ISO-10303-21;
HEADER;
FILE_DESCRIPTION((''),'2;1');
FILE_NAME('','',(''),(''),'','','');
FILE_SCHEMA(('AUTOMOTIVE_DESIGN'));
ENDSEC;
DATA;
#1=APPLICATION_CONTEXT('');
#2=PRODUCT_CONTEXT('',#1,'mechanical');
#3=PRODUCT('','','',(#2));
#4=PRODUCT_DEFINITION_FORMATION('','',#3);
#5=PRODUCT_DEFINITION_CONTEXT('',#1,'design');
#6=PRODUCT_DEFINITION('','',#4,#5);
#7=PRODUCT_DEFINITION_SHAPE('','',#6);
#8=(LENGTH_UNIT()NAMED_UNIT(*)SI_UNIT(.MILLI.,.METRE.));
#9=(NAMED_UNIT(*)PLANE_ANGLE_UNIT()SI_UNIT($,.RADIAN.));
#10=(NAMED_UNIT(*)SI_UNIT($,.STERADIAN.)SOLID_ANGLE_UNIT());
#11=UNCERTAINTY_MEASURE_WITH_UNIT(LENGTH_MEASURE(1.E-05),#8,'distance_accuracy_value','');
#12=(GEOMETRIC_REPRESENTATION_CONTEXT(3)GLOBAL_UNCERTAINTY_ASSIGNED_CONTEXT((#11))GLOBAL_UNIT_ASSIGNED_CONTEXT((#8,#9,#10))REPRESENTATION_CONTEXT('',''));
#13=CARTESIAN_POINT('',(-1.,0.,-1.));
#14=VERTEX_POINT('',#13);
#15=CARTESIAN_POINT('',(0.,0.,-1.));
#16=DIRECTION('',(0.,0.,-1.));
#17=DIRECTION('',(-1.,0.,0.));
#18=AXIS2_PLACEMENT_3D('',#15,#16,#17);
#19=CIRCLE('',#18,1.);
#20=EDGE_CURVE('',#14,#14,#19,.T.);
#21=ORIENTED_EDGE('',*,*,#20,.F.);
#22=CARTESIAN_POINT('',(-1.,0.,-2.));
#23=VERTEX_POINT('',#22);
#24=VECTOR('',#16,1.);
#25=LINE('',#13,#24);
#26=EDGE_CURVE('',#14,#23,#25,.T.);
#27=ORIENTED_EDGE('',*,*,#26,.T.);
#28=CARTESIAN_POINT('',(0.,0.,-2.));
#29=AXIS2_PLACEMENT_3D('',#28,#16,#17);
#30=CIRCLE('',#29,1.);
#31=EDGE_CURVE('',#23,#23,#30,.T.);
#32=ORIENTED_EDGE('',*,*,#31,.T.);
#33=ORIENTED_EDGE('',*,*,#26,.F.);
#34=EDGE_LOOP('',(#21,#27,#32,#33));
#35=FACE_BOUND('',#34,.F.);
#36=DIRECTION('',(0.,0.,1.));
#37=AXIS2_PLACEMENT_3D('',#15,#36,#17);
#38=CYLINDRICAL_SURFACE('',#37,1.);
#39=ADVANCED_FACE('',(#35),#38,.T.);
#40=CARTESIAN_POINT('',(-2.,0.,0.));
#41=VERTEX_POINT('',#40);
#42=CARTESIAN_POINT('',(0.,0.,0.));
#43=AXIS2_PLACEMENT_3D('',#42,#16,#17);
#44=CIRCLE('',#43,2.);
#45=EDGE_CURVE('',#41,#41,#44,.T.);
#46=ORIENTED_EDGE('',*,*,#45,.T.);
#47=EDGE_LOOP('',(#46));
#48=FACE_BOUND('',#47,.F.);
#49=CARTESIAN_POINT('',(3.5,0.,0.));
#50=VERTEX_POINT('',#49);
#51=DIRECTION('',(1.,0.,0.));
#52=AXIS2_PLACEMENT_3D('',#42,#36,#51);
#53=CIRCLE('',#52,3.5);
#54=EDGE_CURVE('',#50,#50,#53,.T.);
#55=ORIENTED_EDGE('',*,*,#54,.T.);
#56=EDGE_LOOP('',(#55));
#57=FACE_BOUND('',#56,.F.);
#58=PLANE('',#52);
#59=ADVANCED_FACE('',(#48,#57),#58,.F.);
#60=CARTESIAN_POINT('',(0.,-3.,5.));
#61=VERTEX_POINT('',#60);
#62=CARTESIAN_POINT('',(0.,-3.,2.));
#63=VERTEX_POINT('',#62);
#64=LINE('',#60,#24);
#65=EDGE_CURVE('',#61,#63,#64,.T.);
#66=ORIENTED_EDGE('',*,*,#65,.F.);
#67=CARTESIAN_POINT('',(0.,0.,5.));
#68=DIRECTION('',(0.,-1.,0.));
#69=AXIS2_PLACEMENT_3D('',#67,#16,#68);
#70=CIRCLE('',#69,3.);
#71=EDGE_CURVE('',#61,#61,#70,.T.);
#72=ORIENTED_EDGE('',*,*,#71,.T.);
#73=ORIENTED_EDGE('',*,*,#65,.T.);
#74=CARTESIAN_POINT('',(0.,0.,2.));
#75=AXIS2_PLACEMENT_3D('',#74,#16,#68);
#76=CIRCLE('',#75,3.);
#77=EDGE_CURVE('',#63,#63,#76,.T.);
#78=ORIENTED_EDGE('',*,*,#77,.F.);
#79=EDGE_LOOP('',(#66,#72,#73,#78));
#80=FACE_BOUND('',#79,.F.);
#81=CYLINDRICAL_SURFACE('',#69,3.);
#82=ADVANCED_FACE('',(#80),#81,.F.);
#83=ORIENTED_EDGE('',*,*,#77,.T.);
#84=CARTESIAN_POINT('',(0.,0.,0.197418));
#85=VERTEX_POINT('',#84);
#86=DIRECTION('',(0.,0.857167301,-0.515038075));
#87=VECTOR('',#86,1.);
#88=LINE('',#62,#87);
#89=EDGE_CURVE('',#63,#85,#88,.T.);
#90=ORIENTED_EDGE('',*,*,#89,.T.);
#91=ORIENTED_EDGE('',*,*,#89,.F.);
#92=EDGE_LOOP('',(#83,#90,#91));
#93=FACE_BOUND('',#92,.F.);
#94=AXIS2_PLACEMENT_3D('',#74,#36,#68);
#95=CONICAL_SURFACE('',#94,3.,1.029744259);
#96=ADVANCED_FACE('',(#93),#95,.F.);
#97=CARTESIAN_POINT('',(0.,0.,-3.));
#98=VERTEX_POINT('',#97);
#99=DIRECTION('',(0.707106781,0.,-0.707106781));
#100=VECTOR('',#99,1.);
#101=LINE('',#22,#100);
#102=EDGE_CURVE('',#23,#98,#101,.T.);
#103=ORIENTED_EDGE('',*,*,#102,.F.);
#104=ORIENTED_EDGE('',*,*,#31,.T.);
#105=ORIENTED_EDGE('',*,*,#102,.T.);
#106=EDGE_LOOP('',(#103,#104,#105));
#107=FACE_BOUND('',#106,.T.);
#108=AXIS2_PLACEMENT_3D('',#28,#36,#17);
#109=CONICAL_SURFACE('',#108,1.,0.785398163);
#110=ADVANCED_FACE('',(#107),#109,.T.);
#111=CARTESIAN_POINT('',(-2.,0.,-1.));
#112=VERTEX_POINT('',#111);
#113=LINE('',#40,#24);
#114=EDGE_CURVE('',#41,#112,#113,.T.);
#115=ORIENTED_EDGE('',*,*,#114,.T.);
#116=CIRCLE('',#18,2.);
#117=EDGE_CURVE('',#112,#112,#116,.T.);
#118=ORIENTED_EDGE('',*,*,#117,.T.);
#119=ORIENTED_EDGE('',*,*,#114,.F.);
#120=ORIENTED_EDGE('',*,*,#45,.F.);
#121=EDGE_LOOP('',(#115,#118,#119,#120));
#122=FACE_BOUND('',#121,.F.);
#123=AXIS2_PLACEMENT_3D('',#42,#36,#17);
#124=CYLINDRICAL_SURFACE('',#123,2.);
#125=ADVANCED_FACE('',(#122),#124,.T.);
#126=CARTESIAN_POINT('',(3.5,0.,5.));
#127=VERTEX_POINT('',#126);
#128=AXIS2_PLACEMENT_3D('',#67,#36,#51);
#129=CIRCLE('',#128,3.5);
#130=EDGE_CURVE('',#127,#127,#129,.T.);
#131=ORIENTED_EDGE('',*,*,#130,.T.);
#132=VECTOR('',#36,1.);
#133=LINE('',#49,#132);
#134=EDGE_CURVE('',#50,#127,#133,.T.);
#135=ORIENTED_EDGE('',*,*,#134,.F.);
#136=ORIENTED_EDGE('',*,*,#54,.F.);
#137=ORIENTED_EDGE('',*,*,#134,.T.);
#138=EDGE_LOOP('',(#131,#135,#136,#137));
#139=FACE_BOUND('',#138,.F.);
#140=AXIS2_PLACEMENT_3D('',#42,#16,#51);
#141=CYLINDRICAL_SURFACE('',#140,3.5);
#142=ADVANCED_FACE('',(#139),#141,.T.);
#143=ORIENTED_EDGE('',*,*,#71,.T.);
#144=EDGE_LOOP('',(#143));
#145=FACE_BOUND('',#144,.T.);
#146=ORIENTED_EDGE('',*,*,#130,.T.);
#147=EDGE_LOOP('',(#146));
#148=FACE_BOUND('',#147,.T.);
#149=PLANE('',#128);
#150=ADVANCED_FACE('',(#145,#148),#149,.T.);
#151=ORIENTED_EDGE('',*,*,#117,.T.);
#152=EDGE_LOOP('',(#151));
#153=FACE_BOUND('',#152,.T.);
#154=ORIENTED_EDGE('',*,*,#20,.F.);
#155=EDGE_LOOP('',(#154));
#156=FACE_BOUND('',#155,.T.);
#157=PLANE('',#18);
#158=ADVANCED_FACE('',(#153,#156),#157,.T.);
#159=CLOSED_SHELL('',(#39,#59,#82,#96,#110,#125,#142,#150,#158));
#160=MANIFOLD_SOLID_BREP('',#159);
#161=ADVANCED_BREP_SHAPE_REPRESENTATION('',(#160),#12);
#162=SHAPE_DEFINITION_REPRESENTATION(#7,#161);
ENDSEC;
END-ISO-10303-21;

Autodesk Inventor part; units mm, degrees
ref_plane "YZ Plane" through (0, 0, 0) normal (1, 0, 0) x (0, 1, 0)
ref_plane "XZ Plane" through (0, 0, 0) normal (0, 1, 0) x (-1, 0, 0)
ref_plane "XY Plane" through (0, 0, 0) normal (0, 0, 1) x (1, 0, 0)
sketch "Skizze1" plane through (0, 0, 0) normal (0, 0, 1) x (1, 0, 0)
  circle A0 centre (0, 0) radius 3.5
  dimension "d0" = 7
extrude "Extrusion1" add sketch "Skizze1" along normal blind 5
sketch "Skizze2" plane through (0, 0, 0) normal (0, 0, -1) x (-1, 0, 0)
  circle A0 centre (0, 0) radius 2
  dimension "d3" = 4
extrude "Extrusion2" add sketch "Skizze2" along normal blind 1
sketch "Skizze3" plane through (0, 0, 5) normal (0, 0, 1) x (1, 0, 0)
  point P0 (0, 0)
hole "Bohrung1" at (0, 0, 5) direction (0, 0, -1) diameter 6 depth 3 tip angle 118
sketch "Skizze4" plane through (0, 0, -1) normal (0, 0, -1) x (-1, 0, 0)
  circle A0 centre (0, 0) radius 1
  dimension "d13" = 2
extrude "Extrusion3" add sketch "Skizze4" along normal blind 2
chamfer "Fase1" distance 1 angle 45 1 edges at (1, 0, -3)
properties part number "Wrist_EncoderMagnetMount" material "Messing, weicher Gelbton"
